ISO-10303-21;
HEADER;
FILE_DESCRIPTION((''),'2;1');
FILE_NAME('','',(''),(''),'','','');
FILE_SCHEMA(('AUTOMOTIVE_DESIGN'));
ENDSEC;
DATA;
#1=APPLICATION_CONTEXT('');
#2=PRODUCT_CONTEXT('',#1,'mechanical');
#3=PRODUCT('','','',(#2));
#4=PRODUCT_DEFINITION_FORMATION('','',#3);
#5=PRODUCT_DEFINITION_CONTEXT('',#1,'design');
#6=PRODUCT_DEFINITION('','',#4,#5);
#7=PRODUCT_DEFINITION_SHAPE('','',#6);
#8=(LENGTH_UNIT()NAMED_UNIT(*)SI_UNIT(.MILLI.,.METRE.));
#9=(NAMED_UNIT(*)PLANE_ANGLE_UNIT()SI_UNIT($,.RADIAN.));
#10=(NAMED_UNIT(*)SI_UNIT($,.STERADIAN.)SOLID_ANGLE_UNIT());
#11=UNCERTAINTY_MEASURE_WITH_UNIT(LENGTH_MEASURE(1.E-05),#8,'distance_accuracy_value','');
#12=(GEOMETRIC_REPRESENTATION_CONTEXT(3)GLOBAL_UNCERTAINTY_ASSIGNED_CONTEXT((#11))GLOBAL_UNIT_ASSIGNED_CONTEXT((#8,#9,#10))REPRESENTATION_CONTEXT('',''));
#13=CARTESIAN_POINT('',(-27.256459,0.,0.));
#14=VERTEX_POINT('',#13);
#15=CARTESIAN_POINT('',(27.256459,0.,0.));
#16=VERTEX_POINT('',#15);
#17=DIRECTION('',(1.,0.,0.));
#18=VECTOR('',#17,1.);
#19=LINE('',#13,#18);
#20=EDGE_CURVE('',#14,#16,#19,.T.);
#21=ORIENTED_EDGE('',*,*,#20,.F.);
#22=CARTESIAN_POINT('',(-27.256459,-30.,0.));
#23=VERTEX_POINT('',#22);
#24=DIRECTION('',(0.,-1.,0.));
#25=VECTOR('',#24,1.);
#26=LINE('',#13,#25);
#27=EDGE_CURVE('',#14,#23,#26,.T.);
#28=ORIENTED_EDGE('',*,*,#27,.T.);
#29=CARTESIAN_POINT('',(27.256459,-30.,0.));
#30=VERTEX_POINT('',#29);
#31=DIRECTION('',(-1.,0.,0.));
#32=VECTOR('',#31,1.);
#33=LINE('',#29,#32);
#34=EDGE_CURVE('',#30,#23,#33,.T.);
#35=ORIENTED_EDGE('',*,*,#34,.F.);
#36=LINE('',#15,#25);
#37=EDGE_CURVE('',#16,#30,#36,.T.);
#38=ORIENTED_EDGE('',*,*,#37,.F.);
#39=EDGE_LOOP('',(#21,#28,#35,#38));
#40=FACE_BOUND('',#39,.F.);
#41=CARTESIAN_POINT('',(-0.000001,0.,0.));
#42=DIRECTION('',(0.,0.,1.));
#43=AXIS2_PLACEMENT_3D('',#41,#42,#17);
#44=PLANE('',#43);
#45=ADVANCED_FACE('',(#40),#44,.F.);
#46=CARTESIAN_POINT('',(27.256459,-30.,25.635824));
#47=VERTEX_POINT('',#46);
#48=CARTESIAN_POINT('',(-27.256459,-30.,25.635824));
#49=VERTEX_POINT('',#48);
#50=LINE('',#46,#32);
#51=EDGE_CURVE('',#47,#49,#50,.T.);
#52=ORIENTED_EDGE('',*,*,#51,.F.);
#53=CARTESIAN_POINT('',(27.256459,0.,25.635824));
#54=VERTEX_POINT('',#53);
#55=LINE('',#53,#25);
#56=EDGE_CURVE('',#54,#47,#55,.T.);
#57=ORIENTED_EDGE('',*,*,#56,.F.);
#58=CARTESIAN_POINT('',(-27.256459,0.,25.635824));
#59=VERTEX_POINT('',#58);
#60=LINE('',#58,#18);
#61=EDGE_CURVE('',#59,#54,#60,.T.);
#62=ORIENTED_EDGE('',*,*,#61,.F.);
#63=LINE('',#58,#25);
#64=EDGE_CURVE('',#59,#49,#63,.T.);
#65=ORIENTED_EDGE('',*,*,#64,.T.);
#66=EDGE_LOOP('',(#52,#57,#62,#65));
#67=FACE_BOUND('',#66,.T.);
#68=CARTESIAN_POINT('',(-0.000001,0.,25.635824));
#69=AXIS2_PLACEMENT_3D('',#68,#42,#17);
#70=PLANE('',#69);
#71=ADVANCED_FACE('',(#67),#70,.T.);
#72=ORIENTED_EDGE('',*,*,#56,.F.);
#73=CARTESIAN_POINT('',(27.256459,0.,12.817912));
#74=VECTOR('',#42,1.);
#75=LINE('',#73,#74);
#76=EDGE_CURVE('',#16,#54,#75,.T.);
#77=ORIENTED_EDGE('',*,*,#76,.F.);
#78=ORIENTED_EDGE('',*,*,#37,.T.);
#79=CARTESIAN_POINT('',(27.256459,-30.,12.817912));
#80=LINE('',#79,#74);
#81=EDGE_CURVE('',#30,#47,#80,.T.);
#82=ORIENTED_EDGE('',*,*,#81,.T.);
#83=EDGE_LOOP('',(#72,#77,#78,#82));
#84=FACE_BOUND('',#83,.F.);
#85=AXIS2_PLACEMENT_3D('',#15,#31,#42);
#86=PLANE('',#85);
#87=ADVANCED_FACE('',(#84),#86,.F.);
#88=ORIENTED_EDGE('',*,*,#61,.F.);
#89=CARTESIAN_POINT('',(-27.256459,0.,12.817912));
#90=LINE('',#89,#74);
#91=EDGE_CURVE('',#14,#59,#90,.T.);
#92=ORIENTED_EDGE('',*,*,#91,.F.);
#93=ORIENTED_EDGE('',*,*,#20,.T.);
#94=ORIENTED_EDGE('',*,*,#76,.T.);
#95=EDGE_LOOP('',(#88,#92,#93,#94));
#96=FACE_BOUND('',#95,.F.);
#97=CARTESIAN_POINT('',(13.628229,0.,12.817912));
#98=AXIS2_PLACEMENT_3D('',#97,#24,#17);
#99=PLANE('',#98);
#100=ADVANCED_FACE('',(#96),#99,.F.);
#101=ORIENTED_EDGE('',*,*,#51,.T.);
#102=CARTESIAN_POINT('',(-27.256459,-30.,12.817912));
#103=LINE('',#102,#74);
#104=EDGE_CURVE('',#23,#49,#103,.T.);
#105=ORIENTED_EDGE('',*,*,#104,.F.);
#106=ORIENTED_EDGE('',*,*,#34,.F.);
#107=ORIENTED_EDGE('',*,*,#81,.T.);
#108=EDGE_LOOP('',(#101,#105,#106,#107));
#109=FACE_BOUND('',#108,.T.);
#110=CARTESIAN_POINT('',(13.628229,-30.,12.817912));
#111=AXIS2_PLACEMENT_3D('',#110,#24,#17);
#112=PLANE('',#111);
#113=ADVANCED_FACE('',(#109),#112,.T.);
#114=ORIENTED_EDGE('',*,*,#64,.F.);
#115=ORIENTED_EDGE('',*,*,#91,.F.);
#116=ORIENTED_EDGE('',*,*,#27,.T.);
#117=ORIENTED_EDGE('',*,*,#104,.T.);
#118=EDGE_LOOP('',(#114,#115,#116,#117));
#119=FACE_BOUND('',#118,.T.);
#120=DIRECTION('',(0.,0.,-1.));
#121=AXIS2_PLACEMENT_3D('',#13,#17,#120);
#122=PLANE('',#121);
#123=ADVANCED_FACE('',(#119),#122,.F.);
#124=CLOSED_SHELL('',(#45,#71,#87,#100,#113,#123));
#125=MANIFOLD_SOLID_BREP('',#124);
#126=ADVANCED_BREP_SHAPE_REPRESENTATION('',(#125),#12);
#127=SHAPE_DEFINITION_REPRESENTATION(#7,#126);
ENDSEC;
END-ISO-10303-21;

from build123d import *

# Parameters (mm, degrees)
F0_W     = 27.256459
F0_H     = 25.635824
F1_DEPTH = 30


with BuildPart() as f1:
    # F0 (on Front) → F1 (new body)
    with BuildSketch(Plane.XZ):
        with Locations((13.628229, 12.817912)):
            Rectangle(F0_W, F0_H)
    extrude(amount=F1_DEPTH)

    # F2: F1 across plane


with BuildPart() as f1_1:
    add(f1.part)
    add(f1.part.mirror(Plane.YZ))


solid = f1_1.part
